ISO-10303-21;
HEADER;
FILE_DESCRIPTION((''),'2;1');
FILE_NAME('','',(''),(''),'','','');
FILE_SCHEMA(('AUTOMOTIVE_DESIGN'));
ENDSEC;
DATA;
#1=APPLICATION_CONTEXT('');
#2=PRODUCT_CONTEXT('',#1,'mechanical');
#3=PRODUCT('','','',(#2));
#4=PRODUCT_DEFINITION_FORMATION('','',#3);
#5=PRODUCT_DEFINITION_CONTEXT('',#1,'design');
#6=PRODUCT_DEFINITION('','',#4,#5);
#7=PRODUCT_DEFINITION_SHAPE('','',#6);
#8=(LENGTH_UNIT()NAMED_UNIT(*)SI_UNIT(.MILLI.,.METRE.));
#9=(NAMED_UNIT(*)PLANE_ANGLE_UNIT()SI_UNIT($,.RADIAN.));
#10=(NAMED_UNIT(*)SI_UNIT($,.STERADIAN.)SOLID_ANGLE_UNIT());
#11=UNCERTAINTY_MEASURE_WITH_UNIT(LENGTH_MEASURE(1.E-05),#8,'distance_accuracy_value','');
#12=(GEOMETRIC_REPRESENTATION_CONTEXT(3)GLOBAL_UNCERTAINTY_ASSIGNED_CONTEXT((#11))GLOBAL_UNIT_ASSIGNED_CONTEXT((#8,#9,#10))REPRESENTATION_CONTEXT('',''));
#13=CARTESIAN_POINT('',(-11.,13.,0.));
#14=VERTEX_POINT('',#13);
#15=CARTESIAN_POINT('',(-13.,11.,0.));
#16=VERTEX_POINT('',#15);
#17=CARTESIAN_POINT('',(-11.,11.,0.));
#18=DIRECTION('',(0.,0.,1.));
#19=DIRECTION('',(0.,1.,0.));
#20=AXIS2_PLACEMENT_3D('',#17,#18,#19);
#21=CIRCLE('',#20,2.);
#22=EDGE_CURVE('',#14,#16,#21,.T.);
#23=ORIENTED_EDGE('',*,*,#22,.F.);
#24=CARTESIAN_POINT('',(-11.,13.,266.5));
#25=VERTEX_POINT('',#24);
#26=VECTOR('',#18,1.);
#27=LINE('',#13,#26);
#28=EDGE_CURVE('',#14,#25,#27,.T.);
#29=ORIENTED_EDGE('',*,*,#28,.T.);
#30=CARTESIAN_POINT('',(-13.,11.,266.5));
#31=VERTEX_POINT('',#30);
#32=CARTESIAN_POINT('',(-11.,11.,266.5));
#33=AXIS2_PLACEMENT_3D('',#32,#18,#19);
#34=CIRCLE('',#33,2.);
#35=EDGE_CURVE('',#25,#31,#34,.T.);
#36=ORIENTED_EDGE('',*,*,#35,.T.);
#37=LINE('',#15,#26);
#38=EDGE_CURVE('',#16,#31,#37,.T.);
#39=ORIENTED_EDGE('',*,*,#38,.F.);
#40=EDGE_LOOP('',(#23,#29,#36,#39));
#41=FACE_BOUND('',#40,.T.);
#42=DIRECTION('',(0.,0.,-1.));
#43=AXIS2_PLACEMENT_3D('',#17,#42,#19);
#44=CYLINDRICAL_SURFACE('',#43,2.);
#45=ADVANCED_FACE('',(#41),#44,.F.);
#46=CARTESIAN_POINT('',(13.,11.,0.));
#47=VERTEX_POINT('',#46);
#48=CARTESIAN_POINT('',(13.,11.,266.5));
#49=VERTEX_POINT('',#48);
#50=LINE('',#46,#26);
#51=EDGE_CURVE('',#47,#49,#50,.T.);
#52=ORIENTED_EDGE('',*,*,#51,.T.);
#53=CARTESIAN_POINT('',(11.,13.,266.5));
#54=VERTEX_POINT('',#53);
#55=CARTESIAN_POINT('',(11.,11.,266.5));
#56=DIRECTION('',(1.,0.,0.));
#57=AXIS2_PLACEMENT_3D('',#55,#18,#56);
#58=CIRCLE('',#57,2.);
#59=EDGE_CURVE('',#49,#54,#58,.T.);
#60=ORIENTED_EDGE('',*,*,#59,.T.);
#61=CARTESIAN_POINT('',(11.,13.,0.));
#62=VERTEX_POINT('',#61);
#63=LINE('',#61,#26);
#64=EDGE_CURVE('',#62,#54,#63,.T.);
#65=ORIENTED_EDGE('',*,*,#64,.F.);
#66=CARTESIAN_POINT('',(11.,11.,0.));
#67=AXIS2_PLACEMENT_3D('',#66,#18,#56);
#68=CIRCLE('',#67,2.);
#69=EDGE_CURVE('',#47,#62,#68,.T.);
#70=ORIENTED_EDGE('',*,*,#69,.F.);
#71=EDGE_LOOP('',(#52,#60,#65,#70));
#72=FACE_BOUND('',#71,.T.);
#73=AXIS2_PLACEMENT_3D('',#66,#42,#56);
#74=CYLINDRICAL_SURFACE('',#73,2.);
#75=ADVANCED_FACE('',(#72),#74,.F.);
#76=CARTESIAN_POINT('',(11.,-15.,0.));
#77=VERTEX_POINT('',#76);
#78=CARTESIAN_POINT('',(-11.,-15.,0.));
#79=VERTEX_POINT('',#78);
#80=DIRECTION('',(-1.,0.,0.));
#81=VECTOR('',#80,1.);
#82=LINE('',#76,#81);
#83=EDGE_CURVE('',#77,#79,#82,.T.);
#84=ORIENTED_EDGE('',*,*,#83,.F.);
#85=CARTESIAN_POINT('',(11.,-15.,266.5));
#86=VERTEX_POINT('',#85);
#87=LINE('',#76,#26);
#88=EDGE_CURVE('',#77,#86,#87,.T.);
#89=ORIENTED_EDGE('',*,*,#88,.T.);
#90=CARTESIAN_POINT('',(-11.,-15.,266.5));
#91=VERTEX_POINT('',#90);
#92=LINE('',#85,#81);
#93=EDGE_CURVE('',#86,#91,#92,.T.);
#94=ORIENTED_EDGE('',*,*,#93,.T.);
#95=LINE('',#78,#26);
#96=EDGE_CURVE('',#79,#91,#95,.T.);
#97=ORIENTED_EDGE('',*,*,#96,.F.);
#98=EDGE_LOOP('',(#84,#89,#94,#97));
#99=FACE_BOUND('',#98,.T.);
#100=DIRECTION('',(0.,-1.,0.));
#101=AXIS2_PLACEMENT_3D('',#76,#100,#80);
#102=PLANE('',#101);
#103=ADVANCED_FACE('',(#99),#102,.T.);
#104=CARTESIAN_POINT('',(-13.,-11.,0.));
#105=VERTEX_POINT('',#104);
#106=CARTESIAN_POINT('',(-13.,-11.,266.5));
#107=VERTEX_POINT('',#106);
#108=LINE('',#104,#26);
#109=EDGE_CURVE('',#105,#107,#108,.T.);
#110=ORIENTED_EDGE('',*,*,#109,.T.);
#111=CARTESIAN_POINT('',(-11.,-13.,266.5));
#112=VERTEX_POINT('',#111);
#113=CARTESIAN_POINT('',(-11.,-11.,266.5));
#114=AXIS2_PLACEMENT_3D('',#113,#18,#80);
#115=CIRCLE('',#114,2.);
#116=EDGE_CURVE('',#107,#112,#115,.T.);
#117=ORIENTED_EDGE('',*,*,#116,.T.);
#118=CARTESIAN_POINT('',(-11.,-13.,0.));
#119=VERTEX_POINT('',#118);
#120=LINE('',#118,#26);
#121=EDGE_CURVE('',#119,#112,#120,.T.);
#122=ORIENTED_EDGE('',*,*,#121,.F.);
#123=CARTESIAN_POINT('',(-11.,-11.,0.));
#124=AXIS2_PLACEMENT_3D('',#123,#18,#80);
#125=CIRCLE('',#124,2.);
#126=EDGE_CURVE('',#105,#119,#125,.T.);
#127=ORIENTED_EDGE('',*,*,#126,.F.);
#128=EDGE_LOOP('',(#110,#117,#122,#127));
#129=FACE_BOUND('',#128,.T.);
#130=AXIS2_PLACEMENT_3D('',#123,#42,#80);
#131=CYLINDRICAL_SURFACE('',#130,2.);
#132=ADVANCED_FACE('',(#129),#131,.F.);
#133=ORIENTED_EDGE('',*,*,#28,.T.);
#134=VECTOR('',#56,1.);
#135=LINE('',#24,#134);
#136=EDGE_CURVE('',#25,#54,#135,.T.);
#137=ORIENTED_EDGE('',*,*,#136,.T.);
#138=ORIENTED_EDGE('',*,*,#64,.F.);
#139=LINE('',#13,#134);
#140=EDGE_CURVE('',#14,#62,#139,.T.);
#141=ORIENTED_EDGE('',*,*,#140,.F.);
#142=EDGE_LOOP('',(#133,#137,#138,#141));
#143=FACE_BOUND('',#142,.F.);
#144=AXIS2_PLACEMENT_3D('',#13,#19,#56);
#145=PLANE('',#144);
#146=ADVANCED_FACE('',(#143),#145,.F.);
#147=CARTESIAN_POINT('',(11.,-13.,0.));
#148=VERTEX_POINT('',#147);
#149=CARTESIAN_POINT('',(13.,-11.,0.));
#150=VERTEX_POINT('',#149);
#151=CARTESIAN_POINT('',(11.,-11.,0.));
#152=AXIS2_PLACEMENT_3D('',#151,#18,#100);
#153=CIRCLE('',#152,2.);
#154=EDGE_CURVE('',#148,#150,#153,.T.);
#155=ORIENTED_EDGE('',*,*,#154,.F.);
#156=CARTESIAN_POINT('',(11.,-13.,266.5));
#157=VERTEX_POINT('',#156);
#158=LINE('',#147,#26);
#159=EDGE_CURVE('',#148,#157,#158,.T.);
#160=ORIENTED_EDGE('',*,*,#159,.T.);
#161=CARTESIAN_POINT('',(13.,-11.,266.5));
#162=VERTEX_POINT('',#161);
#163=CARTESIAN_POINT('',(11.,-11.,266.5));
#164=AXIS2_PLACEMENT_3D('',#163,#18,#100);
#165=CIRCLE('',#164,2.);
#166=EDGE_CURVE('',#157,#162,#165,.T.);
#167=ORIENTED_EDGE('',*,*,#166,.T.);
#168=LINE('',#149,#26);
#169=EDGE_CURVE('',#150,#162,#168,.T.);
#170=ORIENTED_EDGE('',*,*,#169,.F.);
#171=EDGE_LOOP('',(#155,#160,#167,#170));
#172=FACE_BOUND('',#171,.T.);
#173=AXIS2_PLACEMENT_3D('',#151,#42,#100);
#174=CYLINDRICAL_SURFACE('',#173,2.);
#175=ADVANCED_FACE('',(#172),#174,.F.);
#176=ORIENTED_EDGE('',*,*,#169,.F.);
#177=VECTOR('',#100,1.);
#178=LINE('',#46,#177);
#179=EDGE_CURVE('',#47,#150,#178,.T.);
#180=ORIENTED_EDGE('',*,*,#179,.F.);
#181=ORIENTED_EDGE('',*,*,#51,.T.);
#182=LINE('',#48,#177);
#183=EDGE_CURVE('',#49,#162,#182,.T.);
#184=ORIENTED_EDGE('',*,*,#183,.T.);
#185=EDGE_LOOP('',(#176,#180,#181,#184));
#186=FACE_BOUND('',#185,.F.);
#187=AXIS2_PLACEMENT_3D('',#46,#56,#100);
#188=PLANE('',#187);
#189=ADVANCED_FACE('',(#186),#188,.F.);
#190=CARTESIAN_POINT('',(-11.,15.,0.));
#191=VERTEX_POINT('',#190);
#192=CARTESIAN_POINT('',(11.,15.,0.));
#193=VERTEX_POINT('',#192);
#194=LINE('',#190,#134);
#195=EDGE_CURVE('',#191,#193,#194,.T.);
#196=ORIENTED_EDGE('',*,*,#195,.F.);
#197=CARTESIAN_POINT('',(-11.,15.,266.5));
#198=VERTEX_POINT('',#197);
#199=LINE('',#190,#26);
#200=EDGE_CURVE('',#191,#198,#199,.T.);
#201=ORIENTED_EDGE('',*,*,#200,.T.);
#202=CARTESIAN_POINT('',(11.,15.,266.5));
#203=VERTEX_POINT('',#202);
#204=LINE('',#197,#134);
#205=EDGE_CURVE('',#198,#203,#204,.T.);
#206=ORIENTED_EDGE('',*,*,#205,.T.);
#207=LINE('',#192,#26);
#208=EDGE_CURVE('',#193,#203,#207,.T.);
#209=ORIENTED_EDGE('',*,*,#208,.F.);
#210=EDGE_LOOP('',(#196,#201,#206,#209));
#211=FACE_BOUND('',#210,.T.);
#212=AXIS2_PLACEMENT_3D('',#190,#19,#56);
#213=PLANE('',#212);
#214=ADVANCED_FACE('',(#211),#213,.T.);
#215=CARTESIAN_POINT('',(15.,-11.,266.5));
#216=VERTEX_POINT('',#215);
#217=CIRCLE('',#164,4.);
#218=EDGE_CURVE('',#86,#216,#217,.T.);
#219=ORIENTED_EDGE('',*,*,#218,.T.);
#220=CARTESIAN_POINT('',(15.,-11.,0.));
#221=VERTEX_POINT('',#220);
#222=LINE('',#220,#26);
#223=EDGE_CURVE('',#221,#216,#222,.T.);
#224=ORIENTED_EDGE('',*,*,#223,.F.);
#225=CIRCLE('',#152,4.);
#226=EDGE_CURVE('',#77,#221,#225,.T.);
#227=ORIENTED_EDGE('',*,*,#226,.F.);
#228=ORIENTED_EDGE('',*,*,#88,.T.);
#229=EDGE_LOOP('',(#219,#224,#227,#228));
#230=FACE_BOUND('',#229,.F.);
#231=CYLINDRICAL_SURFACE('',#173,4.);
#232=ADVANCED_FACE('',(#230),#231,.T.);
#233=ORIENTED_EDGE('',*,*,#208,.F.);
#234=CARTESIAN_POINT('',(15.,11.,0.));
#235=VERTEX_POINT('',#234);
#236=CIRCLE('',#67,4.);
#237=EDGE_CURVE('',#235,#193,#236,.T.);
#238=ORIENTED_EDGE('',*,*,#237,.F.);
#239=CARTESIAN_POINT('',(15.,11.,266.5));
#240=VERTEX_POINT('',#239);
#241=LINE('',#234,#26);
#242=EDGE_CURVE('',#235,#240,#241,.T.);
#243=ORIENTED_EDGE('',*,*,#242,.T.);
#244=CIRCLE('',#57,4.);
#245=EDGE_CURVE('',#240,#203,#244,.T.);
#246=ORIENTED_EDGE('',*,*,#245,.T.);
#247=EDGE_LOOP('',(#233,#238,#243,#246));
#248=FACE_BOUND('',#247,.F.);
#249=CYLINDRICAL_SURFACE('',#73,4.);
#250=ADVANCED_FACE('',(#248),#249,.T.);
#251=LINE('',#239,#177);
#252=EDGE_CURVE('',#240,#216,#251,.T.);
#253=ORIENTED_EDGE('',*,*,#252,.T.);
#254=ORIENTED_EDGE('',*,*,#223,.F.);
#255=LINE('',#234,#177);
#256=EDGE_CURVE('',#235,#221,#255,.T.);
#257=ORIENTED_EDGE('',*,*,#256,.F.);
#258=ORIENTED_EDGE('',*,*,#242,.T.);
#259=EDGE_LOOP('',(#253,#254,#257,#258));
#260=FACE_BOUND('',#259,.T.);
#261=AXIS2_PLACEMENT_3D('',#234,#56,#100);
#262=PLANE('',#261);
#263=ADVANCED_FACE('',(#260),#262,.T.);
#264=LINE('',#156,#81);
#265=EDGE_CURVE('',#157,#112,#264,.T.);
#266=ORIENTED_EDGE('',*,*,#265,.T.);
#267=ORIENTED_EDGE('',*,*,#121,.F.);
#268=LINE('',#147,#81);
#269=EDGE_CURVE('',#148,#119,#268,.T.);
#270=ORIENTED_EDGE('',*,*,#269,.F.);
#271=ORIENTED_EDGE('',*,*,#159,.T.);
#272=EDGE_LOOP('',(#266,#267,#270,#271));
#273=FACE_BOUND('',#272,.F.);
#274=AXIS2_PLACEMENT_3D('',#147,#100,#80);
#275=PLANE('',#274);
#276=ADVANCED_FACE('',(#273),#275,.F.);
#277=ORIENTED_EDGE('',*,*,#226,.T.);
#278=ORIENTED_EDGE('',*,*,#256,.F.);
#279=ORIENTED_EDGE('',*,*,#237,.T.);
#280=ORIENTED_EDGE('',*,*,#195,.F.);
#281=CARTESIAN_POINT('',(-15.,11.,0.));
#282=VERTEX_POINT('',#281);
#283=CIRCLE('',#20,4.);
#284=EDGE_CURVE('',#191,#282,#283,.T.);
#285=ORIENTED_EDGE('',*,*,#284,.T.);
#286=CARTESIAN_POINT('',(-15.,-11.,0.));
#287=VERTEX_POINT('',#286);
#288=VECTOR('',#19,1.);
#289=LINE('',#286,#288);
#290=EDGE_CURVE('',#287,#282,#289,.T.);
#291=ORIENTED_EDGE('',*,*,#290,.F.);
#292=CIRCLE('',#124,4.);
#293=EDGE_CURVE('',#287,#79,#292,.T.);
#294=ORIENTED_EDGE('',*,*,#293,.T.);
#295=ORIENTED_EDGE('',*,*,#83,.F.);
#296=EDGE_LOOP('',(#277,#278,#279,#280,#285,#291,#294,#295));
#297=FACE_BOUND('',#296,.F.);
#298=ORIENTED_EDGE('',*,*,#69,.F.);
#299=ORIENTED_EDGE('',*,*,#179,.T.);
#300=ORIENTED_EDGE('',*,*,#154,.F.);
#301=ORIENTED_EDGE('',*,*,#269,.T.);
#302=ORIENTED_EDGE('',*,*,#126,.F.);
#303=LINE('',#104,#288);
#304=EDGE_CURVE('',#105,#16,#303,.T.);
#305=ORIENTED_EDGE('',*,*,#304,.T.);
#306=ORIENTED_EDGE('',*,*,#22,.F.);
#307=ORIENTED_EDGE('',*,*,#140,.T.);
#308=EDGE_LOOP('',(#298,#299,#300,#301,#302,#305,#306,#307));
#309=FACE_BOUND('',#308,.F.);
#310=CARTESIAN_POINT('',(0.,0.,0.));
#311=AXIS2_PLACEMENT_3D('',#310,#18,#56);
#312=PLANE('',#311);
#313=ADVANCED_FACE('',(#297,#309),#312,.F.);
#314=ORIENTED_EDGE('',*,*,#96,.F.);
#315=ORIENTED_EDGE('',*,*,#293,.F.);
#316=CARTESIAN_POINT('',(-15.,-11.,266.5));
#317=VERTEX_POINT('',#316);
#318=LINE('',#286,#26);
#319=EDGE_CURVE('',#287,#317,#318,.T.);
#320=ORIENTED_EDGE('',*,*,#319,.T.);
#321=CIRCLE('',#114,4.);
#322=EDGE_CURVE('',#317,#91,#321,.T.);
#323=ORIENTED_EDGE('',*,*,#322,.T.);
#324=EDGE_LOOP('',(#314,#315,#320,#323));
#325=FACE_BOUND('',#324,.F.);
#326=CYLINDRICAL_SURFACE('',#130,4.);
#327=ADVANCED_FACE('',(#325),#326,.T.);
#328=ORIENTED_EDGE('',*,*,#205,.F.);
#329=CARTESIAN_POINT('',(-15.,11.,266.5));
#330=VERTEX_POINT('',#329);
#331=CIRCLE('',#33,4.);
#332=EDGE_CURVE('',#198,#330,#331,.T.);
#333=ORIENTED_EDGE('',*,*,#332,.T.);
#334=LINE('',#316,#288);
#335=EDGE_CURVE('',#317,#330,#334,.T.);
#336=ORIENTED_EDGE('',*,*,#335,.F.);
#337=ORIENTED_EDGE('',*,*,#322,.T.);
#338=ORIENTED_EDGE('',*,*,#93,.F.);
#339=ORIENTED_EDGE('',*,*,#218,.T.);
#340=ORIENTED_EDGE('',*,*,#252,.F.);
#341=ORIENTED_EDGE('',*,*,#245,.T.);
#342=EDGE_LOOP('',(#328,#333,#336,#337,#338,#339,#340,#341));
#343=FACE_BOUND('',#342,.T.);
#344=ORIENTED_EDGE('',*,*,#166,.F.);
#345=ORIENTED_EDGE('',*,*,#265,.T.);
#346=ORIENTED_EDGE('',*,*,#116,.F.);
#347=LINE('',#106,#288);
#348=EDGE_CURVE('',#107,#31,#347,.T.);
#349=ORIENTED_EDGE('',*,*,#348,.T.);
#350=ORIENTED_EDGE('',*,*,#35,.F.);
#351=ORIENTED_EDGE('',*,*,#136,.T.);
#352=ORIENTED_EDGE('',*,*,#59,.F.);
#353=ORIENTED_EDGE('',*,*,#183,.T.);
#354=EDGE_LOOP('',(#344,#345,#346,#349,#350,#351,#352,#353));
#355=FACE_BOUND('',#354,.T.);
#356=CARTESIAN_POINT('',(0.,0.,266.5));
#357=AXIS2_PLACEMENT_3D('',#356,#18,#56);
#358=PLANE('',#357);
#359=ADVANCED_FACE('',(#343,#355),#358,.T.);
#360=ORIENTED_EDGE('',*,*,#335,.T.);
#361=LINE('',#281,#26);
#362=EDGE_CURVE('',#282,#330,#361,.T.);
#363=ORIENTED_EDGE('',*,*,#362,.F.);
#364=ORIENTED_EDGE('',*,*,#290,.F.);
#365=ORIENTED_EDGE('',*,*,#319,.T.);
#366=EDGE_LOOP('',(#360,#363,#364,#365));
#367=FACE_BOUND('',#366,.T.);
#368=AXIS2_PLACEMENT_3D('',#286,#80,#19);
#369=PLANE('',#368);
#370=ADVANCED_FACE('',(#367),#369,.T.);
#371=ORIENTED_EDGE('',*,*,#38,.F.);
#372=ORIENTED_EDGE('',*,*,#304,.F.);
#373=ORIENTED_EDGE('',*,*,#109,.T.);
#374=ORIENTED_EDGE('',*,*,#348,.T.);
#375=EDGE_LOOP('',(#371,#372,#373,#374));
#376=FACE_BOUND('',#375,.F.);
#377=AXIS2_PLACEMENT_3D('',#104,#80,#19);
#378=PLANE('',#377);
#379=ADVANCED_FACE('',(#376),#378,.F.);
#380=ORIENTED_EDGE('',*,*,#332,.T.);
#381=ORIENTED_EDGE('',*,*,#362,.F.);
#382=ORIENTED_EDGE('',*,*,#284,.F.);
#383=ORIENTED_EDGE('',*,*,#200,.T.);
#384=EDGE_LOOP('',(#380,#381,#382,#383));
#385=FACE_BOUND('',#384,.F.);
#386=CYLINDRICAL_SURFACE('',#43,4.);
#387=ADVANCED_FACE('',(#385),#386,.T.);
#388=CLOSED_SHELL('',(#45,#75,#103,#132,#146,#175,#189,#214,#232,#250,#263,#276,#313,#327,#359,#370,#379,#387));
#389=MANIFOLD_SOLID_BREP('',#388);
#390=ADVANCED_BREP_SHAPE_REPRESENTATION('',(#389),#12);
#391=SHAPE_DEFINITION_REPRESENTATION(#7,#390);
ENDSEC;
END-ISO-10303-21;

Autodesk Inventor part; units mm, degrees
ref_plane "YZ Plane" through (0, 0, 0) normal (1, 0, 0) x (0, 1, 0)
ref_plane "Plan de départ" through (0, 0, 0) normal (0, 0, 1) x (1, 0, 0)
ref_plane "Plan de fin" through (0, 0, 266.5) normal (0, 0, 1) x (1, 0, 0)
sketch "Esquisse" plane through (0, 0, 0) normal (0, 0, 1) x (1, 0, 0)
  line L0 (-15, -11) -> (-15, 11)
  line L1 (-11, 15) -> (11, 15)
  line L2 (15, 11) -> (15, -11)
  line L3 (11, -15) -> (-11, -15)
  arc A0 (-15, -11) -> (-11, -15) centre (-11, -11) ccw
  arc A1 (15, 11) -> (11, 15) centre (11, 11) ccw
  arc A2 (-11, 15) -> (-15, 11) centre (-11, 11) ccw
  arc A3 (11, -15) -> (15, -11) centre (11, -11) ccw
  arc A4 (-11, 13) -> (-13, 11) centre (-11, 11) ccw
  line L4 (-11, 13) -> (11, 13)
  arc A5 (13, 11) -> (11, 13) centre (11, 11) ccw
  line L5 (13, 11) -> (13, -11)
  arc A6 (11, -13) -> (13, -11) centre (11, -11) ccw
  line L6 (11, -13) -> (-11, -13)
  arc A7 (-13, -11) -> (-11, -13) centre (-11, -11) ccw
  line L7 (-13, -11) -> (-13, 11)
  line L8 (0, 22.1598) -> (0, -22.1598) construction
  line L9 (-22.1598, 0) -> (22.1598, 0) construction
  dimension "d7" = 4
  dimension "d9" = 30
  dimension "d11" = 30
  dimension "d12" = 2
  dimension "d15" = 15
  dimension "d16" = 15
extrude "Corps" add sketch "Esquisse" along normal up to surface (266.5 mm away) from surface at 0
sketch "Sketch3" plane through (0, 0, 0) normal (0, 0, 1) x (1, 0, 0)
  line L0 (0, 0) -> (10, 0)
ref_plane "Work Plane3" through (0, 0, 0) normal (0, -1, 0) x (1, 0, 0)
sketch "Sketch4" plane through (0, 0, 0) normal (0, -1, 0) x (1, 0, 0)
  line L0 (-2, 0) -> (12, 0) projected
  line L1 (-2, 266.5) -> (12, 266.5) projected
  dimension "d18" = 266.5
equation "\"d7\" = G_IR"
equation "\"d9\" = G_W"
equation "\"d11\" = G_H"
equation "\"d12\" = G_T"
equation "\"d15\" = 0.5 * d9"
equation "\"d16\" = 0.5 * d11"
equation "\"d3\" = G_L"
equation "\"G_W\" = 30"
equation "\"G_H\" = 30"
equation "\"G_T\" = 2"
equation "\"G_IR\" = 4"
equation "\"G_L\" = d18"
equation "\"G_OFFSET_START\" = 0"
equation "\"G_OFFSET_END\" = 0"
equation "\"d14\" = G_OFFSET_END + B_L"
equation "\"B_L\" = 266.5"
properties part number "ISO 10799-2 - 30x30x2 - 266,5" material "Acier, doux"
